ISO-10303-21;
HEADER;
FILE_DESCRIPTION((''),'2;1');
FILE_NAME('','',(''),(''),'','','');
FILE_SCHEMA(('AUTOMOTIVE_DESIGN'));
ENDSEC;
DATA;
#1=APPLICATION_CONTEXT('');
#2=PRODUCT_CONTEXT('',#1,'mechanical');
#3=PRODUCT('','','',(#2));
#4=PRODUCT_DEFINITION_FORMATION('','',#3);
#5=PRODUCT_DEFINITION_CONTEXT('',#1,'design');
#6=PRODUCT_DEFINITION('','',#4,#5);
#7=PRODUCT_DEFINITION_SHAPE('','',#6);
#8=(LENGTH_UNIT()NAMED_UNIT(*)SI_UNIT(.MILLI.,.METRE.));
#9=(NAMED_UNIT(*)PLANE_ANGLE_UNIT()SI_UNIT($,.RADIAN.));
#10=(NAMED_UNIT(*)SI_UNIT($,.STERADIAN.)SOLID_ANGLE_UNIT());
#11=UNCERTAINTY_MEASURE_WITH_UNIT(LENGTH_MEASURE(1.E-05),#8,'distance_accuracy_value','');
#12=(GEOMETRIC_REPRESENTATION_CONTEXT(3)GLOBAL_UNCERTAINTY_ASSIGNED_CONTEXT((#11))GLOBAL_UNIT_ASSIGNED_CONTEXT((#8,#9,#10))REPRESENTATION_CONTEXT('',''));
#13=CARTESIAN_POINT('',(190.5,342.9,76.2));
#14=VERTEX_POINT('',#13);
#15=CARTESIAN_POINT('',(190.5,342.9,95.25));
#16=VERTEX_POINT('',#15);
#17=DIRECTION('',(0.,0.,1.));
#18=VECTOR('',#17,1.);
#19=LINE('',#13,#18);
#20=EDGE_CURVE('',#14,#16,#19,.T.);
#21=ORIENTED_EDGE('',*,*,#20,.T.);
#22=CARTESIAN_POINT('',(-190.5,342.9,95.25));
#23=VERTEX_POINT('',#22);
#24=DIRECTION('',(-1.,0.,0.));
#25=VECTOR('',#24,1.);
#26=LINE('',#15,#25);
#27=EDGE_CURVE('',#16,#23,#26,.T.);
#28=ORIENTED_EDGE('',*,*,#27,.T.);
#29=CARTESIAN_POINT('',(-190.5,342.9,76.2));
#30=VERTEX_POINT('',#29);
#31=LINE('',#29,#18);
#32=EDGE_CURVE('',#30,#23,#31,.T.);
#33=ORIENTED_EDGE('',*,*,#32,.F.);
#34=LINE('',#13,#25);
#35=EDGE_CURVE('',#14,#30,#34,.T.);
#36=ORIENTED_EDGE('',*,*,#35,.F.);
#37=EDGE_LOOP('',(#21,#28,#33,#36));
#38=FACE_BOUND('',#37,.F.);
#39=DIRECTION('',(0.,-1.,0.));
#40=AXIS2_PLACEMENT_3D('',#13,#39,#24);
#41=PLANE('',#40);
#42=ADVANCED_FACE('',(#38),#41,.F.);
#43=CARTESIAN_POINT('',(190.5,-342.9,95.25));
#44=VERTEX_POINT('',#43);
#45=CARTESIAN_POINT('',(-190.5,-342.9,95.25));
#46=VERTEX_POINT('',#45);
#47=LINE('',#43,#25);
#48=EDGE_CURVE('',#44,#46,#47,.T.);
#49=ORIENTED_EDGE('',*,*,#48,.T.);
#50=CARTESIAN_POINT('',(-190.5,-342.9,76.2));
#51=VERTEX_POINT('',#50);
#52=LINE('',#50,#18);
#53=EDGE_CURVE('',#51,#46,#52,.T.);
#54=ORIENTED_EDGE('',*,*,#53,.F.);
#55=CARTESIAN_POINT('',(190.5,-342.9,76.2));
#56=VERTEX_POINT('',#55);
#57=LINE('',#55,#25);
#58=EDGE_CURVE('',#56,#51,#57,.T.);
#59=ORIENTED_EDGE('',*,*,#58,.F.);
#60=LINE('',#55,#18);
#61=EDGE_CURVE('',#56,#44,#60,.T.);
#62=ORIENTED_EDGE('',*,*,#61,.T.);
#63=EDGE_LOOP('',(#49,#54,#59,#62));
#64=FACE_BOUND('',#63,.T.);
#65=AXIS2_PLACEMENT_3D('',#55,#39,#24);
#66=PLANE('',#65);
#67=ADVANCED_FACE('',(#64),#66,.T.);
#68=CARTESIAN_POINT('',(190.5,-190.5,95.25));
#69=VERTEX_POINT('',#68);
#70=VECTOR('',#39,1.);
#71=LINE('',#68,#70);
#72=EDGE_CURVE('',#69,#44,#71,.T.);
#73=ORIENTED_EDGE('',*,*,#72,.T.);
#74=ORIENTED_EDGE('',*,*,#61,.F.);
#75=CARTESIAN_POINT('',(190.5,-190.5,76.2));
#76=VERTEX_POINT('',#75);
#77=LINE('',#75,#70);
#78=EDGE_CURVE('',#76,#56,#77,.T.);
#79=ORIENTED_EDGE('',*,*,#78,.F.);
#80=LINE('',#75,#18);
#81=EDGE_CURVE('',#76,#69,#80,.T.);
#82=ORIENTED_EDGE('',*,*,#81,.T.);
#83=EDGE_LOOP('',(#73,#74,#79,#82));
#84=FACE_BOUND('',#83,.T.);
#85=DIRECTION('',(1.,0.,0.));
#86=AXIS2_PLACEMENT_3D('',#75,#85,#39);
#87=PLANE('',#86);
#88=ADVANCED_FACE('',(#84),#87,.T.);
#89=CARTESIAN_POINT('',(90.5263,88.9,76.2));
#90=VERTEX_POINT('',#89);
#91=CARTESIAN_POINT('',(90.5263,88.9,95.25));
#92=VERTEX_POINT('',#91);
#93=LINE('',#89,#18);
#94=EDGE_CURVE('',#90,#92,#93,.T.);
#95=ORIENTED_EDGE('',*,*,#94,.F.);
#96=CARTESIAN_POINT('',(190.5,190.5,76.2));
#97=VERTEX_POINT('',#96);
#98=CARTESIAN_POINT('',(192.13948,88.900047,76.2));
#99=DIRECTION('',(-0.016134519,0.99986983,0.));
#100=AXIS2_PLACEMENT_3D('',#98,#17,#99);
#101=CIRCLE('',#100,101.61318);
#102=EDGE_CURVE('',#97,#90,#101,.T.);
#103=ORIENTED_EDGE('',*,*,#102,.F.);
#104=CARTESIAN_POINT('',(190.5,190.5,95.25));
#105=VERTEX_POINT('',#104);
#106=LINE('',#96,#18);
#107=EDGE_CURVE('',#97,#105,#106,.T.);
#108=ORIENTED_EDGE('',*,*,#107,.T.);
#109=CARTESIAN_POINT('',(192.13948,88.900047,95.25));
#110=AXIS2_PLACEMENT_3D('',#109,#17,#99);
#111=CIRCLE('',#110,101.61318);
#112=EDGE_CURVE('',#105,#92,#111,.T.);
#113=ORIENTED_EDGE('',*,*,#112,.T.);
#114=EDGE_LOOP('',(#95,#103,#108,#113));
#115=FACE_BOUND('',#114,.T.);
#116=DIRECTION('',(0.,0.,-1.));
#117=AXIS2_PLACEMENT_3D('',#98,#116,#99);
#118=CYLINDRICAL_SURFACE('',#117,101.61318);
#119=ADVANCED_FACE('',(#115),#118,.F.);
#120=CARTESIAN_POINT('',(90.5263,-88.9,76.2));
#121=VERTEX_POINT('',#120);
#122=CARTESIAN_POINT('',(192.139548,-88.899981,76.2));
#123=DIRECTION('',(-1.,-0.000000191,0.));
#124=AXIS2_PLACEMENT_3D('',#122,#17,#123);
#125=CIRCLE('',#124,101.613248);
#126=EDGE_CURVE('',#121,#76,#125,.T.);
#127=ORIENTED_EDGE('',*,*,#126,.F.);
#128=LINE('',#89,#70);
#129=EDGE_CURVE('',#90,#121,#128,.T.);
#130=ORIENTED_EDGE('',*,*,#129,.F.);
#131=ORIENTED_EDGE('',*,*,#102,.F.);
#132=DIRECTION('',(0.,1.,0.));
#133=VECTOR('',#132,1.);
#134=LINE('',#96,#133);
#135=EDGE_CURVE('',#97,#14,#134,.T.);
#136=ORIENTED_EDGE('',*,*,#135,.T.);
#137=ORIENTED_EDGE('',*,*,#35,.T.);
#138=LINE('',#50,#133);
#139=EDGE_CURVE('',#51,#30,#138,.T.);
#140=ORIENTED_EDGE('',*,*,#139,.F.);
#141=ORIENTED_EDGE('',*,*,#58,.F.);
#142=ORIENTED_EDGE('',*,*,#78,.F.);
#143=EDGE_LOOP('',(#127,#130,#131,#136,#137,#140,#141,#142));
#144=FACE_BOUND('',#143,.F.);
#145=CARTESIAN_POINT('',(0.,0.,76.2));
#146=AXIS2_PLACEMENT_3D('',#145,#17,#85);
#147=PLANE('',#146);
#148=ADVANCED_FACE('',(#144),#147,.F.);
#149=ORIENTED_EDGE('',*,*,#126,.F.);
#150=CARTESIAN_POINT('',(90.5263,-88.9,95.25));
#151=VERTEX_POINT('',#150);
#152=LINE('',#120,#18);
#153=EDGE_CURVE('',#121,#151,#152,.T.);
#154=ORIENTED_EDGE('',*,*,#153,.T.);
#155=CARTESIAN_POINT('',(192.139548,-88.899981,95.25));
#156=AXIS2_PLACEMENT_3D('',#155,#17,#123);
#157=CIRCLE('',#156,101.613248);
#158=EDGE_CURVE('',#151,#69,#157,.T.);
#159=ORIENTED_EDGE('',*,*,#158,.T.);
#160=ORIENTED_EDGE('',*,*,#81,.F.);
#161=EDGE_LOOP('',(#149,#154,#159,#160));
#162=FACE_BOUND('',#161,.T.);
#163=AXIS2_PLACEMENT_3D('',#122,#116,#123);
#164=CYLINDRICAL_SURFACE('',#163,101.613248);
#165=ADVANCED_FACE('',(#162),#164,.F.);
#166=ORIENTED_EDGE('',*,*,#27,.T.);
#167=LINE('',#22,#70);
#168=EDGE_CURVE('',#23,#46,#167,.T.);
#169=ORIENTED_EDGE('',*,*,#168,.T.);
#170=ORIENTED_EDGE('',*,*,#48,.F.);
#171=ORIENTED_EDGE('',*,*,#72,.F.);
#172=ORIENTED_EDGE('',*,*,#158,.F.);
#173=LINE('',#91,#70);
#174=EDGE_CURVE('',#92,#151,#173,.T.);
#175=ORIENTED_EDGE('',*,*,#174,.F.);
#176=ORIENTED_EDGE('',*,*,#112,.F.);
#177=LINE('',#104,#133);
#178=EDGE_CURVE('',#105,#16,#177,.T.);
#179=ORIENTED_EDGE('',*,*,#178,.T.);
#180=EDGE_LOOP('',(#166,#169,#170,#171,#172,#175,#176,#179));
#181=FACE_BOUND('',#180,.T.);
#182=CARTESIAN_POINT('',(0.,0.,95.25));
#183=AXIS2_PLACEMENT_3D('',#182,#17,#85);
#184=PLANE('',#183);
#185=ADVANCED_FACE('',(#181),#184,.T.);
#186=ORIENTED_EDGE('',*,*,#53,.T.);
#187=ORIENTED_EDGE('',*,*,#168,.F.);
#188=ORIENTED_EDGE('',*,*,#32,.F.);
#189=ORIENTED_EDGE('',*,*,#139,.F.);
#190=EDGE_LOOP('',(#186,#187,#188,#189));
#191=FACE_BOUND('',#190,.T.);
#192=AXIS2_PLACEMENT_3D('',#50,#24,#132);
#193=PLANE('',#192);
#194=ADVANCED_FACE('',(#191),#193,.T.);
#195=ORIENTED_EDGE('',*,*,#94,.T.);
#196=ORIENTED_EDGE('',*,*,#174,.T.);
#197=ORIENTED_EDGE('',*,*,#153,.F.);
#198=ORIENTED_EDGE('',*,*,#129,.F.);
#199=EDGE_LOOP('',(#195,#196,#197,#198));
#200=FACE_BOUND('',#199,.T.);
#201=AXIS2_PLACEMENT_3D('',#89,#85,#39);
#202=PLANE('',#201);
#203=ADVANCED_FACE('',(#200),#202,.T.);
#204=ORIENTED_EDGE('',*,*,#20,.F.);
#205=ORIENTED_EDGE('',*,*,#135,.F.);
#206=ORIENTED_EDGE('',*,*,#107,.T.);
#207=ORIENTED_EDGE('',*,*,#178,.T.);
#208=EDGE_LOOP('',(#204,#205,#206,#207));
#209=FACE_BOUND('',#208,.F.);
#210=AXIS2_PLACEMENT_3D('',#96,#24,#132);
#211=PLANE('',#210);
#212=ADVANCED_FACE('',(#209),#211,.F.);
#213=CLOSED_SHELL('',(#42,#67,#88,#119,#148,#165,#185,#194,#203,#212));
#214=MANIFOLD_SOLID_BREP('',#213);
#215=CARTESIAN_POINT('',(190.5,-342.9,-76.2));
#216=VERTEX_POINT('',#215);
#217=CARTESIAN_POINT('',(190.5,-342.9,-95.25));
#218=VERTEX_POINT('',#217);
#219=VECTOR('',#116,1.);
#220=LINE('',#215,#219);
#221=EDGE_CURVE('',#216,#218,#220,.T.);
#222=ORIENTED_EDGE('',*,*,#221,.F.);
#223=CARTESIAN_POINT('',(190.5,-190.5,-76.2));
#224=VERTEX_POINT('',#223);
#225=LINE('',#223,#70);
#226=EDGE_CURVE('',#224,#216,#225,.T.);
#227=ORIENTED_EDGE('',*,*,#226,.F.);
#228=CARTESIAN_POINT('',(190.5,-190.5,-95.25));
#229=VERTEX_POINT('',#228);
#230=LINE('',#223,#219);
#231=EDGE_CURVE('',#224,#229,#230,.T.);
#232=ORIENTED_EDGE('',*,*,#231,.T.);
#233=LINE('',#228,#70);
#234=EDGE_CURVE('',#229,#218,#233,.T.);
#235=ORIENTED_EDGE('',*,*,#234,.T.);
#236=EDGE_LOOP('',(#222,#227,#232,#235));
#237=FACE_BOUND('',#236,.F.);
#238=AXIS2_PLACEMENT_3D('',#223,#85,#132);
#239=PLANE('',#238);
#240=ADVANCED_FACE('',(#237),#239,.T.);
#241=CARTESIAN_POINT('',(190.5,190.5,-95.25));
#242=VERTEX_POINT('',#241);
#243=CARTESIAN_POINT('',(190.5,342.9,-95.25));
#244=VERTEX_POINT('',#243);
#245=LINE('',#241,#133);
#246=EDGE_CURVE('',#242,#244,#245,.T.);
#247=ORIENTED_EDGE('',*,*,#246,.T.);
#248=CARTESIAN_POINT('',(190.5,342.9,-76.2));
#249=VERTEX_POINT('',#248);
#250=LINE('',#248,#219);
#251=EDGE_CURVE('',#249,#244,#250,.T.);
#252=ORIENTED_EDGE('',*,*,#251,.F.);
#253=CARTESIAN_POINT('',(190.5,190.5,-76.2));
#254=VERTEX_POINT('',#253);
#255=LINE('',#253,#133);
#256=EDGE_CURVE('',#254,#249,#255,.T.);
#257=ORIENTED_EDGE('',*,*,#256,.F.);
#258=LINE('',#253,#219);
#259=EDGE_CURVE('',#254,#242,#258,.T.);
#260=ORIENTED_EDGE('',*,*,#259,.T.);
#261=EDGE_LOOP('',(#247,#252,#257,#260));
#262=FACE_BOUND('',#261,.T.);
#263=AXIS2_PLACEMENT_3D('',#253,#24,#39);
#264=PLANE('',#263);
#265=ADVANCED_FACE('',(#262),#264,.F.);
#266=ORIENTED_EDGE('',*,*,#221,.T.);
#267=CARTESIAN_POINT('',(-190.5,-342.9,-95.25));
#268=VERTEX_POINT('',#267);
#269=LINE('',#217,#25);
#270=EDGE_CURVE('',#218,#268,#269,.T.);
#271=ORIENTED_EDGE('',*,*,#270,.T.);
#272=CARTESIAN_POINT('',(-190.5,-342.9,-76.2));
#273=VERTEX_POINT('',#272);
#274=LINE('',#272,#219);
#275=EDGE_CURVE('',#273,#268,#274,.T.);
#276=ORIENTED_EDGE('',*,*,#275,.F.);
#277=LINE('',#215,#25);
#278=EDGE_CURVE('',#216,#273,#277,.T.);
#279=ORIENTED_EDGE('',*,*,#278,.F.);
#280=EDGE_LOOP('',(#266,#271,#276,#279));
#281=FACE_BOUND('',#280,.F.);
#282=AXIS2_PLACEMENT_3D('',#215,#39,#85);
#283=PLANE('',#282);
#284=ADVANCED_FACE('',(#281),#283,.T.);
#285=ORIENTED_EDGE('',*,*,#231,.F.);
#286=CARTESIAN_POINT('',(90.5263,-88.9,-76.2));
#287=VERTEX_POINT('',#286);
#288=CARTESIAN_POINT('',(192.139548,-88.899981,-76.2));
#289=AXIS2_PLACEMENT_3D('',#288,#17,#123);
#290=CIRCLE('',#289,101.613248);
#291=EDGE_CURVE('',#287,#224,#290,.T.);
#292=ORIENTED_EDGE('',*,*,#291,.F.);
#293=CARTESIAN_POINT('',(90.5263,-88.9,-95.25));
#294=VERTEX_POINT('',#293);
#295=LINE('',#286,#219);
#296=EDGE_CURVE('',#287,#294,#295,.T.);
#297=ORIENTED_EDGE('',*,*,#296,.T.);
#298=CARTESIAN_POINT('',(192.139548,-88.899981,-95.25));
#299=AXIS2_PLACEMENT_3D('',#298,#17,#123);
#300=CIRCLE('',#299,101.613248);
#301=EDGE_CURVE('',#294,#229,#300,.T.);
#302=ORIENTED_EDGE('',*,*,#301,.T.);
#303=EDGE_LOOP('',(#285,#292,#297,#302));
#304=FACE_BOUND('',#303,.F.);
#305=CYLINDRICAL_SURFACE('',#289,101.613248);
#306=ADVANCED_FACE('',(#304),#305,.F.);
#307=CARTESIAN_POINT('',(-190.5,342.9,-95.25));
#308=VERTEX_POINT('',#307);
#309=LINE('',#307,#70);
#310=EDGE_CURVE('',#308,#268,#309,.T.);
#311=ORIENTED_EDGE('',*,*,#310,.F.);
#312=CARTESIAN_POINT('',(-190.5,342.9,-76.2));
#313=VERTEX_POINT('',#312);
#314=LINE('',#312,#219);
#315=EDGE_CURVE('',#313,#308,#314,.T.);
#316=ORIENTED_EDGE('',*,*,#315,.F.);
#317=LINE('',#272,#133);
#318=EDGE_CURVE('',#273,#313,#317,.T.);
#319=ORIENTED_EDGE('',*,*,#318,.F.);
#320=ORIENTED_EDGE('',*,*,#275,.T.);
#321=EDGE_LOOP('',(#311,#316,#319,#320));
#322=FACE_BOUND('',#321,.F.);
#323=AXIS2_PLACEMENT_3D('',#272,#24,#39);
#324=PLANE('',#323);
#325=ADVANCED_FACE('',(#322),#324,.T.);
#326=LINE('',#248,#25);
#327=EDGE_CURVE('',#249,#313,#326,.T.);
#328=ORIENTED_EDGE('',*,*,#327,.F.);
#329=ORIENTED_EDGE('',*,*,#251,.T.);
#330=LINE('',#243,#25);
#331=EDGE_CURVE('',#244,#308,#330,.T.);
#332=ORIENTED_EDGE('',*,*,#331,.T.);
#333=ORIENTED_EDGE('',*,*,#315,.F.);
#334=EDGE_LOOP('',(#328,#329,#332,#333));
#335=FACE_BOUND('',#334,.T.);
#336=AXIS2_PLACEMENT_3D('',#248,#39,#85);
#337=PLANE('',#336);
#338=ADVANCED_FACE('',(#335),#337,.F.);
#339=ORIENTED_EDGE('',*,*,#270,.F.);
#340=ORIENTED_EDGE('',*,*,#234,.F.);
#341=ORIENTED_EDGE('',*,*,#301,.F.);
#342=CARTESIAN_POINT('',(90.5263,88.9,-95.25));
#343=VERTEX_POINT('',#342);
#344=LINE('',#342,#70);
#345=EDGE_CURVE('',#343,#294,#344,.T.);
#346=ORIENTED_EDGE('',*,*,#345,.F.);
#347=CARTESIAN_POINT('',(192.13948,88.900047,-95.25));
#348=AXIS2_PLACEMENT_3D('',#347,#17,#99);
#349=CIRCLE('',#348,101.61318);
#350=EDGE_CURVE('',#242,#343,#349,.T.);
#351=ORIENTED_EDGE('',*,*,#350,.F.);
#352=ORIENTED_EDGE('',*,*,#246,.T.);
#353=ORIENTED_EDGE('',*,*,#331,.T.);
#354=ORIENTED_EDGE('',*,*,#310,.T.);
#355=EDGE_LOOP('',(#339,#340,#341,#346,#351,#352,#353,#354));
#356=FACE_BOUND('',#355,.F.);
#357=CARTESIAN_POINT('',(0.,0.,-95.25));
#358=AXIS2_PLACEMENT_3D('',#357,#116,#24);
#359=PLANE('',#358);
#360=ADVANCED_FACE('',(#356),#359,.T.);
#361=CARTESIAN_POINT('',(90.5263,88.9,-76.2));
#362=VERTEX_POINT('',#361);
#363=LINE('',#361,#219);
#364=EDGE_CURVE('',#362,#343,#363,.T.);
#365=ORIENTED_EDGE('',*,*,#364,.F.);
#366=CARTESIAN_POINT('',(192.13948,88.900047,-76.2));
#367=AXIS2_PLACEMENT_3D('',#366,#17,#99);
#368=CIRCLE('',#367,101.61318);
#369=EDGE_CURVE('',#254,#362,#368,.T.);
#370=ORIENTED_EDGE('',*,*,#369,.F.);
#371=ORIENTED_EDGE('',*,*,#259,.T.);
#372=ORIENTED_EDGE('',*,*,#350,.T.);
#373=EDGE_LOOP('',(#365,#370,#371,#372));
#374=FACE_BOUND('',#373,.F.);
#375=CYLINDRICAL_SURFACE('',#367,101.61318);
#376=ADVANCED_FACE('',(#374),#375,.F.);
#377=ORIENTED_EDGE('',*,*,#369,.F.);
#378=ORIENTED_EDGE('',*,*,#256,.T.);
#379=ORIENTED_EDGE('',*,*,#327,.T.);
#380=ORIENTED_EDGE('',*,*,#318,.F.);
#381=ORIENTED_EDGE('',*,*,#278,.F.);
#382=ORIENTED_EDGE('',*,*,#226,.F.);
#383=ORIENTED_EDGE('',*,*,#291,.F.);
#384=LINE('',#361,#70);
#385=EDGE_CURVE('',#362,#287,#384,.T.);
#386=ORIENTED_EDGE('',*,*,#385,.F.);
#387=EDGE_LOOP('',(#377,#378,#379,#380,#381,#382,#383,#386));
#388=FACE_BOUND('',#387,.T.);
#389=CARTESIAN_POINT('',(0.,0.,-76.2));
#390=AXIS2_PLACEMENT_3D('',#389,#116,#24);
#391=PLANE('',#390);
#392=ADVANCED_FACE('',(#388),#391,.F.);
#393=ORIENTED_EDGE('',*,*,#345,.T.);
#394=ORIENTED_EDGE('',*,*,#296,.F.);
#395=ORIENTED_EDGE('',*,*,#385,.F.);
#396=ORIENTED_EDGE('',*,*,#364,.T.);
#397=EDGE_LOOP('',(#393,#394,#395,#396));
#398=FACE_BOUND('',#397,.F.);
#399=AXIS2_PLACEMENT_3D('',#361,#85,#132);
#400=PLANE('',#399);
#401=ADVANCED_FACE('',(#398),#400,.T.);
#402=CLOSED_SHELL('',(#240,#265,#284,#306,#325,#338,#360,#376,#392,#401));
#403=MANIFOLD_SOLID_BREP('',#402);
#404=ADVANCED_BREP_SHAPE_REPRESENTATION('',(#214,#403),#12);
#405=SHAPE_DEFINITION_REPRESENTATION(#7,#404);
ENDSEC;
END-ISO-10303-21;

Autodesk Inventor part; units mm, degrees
ref_plane "YZ Plane" through (0, 0, 0) normal (1, 0, 0) x (0, 1, 0)
ref_plane "XZ Plane" through (0, 0, 0) normal (0, 1, 0) x (-1, 0, 0)
ref_plane "Work Plane2" through (0, 0, 76.2) normal (0, 0, 1) x (1, 0, 0)
sketch "Sketch1" plane through (0, 0, 76.2) normal (0, 0, 1) x (1, 0, 0)
  line L0 (190.5, -190.5) -> (-190.5, -190.5)
  line L1 (-190.5, -190.5) -> (-190.5, 190.5)
  line L2 (-190.5, 190.5) -> (190.5, 190.5)
  line L3 (190.5, 190.5) -> (190.5, -190.5) construction
  line L4 (190.5, -190.5) -> (-190.5, 190.5) construction
  line L5 (-190.5, -190.5) -> (190.5, 190.5) construction
  line L6 (90.5263, 88.9) -> (90.5263, -88.9)
  arc A0 (190.5, 190.5) -> (90.5263, 88.9) centre (192.1395, 88.9) ccw
  arc A1 (90.5263, -88.9) -> (190.5, -190.5) centre (192.1395, -88.9) ccw
  line L7 (-190.5, 190.5) -> (190.5, 190.5)
  line L8 (190.5, 190.5) -> (190.5, 342.9)
  line L9 (190.5, 342.9) -> (-190.5, 342.9)
  line L10 (-190.5, 342.9) -> (-190.5, 190.5)
  line L11 (-190.5, -190.5) -> (190.5, -190.5)
  line L12 (190.5, -190.5) -> (190.5, -342.9)
  line L13 (190.5, -342.9) -> (-190.5, -342.9)
  line L14 (-190.5, -342.9) -> (-190.5, -190.5)
  point P0 (0, 0)
  point P1 (190.5, -190.5)
  dimension "d2" = 381
  dimension "d3" = 381
  dimension "d4" = 101.6
  dimension "d5" = 101.6
  dimension "d8" = 152.4
  dimension "d9" = 152.4
extrude "Extrusion1" add sketch "Sketch1" along normal blind 19.05
mirror "Mirror1" about plane through (0, 0, 0) normal (0, 0, 1) of "Extrusion1"
equation "\"distanceBetweenPlates\" = 152.4"
equation "\"d1\" = 0.5 * distanceBetweenPlates"
properties part number "shooterCircularCurve" material "Wood (Oak)"
